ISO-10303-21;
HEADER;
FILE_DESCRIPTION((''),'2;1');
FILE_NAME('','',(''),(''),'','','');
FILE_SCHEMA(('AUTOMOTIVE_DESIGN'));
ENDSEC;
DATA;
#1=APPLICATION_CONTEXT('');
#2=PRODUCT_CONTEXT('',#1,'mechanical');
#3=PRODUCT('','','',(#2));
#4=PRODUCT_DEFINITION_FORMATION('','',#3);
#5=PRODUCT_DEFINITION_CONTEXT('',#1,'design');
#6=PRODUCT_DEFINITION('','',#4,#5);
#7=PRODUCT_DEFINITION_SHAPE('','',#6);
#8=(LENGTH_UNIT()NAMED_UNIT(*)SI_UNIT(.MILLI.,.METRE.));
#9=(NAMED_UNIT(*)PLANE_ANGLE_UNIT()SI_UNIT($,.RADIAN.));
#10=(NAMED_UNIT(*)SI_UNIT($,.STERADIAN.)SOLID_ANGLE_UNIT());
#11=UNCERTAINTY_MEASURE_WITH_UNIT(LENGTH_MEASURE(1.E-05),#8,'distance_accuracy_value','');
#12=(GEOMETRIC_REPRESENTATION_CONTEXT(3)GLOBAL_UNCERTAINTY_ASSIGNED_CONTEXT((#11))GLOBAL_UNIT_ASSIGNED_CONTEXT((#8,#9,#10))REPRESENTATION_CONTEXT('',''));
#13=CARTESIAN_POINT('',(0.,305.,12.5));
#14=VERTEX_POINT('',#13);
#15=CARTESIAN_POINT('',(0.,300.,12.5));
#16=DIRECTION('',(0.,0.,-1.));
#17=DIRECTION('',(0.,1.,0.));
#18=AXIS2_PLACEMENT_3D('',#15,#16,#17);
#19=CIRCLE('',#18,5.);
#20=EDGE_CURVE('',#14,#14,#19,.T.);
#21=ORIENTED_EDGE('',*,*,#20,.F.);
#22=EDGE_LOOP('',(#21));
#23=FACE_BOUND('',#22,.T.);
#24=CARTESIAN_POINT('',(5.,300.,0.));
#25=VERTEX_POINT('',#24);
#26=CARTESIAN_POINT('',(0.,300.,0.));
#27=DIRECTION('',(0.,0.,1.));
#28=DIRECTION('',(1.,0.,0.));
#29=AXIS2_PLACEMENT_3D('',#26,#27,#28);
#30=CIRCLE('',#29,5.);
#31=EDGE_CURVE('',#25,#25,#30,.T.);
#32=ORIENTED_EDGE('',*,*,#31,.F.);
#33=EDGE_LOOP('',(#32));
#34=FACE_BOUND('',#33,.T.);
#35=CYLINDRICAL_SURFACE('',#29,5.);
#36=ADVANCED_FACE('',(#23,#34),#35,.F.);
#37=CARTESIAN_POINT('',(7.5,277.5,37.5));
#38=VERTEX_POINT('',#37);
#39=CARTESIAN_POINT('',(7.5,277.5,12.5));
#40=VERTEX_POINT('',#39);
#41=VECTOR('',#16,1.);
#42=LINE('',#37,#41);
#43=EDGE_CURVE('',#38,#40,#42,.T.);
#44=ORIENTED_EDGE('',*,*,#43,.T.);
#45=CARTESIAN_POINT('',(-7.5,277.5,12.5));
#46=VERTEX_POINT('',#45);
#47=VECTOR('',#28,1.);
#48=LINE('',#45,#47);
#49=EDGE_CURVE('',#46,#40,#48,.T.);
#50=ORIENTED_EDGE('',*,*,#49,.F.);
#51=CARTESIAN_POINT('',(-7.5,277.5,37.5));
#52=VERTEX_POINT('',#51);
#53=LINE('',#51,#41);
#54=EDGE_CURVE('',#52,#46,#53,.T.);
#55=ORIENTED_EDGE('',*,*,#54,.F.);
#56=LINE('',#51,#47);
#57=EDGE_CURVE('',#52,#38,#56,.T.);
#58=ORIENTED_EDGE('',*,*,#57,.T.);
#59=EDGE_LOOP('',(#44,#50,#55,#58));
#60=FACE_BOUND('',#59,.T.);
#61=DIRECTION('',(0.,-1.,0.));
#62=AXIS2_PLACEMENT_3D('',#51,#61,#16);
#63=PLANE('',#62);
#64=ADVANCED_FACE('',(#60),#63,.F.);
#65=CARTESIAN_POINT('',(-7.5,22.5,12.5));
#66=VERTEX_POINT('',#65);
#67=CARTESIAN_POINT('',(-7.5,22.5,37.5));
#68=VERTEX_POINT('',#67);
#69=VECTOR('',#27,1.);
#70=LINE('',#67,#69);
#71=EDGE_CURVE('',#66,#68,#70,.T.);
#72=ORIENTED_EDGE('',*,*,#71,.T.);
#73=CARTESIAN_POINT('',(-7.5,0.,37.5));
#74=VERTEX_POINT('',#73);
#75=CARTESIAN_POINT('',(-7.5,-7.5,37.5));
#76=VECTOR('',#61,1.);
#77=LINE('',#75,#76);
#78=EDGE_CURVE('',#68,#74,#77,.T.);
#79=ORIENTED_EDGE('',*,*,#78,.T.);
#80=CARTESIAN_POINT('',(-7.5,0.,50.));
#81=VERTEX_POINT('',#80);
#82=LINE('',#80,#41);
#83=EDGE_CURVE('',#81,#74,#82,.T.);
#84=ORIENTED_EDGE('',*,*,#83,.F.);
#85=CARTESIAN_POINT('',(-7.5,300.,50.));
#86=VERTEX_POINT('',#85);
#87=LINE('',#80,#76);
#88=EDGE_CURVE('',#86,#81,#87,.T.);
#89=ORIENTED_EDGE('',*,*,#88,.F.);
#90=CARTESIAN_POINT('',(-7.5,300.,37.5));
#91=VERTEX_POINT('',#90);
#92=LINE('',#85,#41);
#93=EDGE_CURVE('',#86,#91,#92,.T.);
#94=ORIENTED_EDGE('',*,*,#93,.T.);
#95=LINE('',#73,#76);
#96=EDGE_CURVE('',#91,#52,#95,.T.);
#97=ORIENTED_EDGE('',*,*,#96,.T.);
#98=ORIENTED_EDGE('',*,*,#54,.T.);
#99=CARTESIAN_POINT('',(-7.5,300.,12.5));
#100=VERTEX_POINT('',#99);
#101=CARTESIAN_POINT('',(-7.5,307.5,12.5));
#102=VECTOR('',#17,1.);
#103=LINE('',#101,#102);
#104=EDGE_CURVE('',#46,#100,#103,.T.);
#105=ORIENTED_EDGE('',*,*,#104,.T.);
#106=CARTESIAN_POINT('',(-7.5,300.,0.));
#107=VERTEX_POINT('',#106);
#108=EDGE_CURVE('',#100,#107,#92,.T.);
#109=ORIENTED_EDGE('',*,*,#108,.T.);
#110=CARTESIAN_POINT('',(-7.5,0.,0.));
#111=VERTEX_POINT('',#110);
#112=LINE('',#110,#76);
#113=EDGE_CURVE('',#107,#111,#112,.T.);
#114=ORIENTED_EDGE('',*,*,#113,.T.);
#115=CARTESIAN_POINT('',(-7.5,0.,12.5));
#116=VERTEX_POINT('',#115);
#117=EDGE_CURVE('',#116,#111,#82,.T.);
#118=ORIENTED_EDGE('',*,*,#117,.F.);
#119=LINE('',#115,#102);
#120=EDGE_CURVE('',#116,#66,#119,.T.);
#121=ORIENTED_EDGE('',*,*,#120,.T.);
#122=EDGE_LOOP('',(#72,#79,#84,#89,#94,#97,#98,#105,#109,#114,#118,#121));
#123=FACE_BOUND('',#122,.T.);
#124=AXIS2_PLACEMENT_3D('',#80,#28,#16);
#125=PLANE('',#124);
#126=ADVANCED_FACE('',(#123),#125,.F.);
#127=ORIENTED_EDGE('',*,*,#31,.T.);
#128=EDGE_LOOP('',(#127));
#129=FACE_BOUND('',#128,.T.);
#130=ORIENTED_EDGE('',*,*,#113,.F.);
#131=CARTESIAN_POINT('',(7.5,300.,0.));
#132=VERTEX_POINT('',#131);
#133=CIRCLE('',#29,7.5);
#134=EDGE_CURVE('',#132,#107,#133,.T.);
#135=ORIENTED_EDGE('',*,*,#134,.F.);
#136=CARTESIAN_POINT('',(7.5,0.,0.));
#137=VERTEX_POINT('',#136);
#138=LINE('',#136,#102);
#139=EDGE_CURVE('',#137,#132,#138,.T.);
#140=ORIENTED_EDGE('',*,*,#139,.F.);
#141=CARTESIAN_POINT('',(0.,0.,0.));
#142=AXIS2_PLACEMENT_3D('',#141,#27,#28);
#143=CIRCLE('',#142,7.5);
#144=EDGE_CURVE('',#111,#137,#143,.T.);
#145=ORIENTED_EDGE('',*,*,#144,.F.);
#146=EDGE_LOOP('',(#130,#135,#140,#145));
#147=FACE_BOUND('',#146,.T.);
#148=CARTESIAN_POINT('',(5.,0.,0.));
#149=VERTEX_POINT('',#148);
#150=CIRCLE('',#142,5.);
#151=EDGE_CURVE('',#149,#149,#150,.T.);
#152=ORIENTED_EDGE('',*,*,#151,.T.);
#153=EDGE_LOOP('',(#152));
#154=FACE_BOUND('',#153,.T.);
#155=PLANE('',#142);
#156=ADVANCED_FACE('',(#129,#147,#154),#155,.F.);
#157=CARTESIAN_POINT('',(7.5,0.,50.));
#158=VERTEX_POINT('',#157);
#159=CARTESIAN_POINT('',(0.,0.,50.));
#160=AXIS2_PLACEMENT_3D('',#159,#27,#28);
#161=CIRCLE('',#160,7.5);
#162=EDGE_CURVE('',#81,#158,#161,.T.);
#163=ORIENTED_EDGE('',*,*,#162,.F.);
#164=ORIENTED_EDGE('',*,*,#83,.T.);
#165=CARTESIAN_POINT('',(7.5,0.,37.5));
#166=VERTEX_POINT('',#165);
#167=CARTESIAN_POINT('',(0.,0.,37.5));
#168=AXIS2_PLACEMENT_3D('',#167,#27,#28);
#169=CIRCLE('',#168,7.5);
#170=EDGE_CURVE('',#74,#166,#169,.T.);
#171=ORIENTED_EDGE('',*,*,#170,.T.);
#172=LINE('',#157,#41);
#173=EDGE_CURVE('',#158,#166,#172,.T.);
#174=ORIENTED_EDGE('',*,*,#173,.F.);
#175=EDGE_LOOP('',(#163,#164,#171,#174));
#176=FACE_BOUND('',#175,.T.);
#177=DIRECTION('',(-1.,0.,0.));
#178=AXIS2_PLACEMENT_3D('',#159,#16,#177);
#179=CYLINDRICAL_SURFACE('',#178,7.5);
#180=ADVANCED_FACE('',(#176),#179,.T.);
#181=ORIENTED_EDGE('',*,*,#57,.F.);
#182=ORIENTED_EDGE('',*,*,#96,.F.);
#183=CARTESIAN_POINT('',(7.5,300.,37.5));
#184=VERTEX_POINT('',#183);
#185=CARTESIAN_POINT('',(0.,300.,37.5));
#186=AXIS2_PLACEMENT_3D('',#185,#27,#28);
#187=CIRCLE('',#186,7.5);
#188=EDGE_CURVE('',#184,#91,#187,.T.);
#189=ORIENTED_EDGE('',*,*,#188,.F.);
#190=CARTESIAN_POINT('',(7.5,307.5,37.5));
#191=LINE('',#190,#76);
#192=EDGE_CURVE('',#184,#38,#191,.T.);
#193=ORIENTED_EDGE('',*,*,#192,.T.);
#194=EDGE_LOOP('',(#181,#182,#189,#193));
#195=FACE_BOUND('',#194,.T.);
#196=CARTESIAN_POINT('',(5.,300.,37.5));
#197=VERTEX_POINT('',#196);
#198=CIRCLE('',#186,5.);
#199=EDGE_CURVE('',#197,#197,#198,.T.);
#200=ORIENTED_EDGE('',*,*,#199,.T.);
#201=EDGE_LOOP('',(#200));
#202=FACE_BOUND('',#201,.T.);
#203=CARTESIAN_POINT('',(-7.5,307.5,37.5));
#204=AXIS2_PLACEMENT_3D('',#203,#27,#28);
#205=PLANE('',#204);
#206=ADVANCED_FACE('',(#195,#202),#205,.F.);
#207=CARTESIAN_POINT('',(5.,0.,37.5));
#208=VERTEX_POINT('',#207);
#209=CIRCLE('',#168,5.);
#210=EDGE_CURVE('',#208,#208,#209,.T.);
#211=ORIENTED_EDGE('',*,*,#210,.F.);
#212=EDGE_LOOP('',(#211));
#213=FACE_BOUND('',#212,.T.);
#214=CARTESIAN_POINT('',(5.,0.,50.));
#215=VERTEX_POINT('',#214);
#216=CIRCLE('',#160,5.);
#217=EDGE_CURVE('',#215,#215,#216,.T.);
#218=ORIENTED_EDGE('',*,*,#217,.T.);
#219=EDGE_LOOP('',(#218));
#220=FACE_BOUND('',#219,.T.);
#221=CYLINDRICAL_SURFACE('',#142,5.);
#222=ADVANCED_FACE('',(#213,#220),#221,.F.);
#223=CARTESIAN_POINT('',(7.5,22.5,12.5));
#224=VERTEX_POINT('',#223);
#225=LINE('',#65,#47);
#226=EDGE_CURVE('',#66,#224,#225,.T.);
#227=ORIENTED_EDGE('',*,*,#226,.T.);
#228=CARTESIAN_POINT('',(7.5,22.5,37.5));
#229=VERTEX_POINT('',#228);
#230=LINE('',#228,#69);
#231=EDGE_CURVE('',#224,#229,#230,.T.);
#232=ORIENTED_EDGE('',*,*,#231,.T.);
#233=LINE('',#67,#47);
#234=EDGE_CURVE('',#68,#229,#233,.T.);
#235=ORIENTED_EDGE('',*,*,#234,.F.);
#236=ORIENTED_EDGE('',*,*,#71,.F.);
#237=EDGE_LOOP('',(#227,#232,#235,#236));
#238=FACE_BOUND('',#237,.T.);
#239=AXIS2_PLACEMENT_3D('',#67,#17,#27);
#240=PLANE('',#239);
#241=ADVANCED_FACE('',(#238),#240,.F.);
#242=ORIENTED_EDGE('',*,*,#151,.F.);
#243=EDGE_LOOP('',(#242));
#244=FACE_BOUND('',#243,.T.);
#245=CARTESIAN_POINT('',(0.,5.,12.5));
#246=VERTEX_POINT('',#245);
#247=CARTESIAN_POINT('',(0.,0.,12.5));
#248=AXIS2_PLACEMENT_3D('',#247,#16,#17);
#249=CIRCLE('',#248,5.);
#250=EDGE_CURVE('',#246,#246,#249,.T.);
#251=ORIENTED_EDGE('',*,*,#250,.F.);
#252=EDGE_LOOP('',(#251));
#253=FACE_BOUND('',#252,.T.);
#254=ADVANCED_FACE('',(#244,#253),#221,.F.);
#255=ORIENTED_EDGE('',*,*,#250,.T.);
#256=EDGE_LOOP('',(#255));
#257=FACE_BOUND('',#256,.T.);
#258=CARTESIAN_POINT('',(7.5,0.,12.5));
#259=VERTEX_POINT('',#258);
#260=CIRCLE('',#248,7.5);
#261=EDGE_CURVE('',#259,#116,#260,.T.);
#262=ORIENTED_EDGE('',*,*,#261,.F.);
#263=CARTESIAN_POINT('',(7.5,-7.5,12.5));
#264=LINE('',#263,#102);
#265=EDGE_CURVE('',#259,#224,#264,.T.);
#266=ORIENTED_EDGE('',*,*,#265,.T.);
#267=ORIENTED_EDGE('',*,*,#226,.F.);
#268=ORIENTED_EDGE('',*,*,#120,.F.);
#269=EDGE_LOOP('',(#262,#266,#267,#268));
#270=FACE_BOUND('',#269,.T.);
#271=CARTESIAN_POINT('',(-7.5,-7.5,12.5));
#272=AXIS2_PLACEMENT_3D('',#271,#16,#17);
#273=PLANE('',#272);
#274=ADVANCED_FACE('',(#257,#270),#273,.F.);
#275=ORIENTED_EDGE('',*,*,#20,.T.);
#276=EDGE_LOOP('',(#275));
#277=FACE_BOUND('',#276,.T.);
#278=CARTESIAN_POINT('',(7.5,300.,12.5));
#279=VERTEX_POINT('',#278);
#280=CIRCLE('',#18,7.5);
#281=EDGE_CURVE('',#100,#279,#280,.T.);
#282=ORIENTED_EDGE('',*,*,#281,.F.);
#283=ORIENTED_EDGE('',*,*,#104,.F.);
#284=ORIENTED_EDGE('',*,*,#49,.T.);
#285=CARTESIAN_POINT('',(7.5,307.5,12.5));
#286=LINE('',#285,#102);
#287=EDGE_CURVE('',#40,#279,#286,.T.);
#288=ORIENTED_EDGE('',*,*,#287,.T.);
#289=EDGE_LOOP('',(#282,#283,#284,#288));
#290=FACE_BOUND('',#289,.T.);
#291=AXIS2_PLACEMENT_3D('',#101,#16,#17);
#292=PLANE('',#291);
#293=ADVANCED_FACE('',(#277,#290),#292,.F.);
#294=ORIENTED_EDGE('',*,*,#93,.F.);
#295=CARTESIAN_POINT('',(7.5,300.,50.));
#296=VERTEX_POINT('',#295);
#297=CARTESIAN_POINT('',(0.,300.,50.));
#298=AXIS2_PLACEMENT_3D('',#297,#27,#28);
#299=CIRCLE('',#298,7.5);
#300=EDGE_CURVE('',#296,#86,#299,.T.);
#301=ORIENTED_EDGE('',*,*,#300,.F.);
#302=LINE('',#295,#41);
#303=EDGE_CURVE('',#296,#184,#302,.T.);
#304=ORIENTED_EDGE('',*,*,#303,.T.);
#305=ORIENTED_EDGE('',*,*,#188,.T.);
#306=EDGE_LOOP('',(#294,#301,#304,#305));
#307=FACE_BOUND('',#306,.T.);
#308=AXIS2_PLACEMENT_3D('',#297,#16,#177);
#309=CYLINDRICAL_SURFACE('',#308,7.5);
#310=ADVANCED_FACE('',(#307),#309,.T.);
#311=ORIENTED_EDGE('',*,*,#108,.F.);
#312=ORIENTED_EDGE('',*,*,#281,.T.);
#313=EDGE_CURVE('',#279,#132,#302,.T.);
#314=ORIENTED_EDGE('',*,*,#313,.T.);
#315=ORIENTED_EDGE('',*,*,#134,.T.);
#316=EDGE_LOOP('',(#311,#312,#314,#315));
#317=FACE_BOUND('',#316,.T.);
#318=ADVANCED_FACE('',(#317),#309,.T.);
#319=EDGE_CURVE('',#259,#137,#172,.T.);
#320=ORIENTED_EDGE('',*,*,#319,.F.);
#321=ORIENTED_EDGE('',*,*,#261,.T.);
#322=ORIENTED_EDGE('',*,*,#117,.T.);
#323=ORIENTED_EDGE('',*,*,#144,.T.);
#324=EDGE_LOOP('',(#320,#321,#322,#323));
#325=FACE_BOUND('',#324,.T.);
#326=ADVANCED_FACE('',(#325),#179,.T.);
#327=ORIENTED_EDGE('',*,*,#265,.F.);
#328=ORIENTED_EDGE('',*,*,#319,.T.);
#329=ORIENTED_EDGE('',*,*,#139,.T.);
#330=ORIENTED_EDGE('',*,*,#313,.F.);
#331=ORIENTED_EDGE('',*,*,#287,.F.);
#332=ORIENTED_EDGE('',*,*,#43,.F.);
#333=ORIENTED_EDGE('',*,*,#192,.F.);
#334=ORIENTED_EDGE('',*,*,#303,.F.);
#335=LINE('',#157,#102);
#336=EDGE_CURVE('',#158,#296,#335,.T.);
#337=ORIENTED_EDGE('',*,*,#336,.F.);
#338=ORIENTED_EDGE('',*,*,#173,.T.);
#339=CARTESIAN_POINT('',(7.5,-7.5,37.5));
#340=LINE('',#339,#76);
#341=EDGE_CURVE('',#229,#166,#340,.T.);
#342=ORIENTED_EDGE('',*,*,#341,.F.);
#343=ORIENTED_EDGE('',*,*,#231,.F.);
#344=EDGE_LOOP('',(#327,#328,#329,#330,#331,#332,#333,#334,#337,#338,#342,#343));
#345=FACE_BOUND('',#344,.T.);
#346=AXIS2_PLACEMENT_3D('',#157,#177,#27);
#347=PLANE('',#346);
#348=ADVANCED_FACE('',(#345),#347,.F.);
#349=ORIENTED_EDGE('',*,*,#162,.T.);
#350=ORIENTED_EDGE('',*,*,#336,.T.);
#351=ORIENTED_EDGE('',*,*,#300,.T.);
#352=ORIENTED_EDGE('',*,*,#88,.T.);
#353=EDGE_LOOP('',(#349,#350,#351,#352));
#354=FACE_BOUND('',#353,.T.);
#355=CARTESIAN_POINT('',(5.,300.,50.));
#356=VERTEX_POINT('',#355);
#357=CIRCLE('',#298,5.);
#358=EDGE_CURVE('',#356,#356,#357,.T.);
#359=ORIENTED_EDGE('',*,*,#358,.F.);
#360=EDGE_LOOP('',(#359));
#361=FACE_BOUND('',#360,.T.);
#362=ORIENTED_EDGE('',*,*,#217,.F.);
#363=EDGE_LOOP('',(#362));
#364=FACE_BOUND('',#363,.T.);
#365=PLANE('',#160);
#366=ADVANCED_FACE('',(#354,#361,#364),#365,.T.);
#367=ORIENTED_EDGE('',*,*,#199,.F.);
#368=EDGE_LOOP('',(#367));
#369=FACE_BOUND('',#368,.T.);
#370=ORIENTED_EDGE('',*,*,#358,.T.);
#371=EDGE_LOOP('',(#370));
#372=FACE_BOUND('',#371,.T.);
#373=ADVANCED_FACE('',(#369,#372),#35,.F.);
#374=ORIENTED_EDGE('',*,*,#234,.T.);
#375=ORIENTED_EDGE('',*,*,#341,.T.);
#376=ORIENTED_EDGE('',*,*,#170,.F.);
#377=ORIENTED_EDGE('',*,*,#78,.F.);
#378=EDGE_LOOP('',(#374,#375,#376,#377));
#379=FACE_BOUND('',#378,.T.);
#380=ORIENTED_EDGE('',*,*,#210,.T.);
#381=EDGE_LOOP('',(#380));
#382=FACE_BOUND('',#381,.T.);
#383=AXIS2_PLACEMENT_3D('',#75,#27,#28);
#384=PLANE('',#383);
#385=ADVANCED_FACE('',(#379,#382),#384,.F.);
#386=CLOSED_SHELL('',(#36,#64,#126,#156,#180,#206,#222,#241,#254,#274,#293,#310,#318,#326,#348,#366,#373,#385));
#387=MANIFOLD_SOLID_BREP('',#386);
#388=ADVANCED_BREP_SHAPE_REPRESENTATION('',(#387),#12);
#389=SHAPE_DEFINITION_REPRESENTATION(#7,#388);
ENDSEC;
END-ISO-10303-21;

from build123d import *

# Parameters (mm, degrees)
EXTRUDE_1_DEPTH     = 50
SKETCH_2_W          = 25
SKETCH_2_H          = 30
CUT_EXTRUDE_1_DEPTH = 312.899422891
SKETCH_3_R          = 5
CUT_EXTRUDE_2_DEPTH = 312.628785577


with BuildPart() as part:
    # 草图1 → 凸台-拉伸1 (new body)
    with BuildSketch(Plane.XY):
        with BuildLine():
            Line((-7.5, 0), (-7.5, 300))
            ThreePointArc((-7.5, 300), (0, 307.5), (7.5, 300))
            Line((7.5, 300), (7.5, 0))
            ThreePointArc((7.5, 0), (0, -7.5), (-7.5, 0))
        make_face()
    extrude(amount=EXTRUDE_1_DEPTH)

    # 草图2 → 切除-拉伸1 (cut, through all)
    with BuildSketch(Plane(origin=(7.5, 0, 0), x_dir=(0, 0, -1), z_dir=(1, 0, 0))):
        with Locations((-25, 292.5)):
            Rectangle(SKETCH_2_W, SKETCH_2_H)
        with Locations((-25, 7.5)):
            Rectangle(SKETCH_2_W, SKETCH_2_H)
    extrude(amount=-CUT_EXTRUDE_1_DEPTH, mode=Mode.SUBTRACT)

    # 草图3 → 切除-拉伸2 (cut, through all)
    with BuildSketch(Plane.XY.offset(50)):
        with Locations((0, 300)):
            Circle(SKETCH_3_R)
        Circle(SKETCH_3_R)
    extrude(amount=-CUT_EXTRUDE_2_DEPTH, mode=Mode.SUBTRACT)


solid = part.part
